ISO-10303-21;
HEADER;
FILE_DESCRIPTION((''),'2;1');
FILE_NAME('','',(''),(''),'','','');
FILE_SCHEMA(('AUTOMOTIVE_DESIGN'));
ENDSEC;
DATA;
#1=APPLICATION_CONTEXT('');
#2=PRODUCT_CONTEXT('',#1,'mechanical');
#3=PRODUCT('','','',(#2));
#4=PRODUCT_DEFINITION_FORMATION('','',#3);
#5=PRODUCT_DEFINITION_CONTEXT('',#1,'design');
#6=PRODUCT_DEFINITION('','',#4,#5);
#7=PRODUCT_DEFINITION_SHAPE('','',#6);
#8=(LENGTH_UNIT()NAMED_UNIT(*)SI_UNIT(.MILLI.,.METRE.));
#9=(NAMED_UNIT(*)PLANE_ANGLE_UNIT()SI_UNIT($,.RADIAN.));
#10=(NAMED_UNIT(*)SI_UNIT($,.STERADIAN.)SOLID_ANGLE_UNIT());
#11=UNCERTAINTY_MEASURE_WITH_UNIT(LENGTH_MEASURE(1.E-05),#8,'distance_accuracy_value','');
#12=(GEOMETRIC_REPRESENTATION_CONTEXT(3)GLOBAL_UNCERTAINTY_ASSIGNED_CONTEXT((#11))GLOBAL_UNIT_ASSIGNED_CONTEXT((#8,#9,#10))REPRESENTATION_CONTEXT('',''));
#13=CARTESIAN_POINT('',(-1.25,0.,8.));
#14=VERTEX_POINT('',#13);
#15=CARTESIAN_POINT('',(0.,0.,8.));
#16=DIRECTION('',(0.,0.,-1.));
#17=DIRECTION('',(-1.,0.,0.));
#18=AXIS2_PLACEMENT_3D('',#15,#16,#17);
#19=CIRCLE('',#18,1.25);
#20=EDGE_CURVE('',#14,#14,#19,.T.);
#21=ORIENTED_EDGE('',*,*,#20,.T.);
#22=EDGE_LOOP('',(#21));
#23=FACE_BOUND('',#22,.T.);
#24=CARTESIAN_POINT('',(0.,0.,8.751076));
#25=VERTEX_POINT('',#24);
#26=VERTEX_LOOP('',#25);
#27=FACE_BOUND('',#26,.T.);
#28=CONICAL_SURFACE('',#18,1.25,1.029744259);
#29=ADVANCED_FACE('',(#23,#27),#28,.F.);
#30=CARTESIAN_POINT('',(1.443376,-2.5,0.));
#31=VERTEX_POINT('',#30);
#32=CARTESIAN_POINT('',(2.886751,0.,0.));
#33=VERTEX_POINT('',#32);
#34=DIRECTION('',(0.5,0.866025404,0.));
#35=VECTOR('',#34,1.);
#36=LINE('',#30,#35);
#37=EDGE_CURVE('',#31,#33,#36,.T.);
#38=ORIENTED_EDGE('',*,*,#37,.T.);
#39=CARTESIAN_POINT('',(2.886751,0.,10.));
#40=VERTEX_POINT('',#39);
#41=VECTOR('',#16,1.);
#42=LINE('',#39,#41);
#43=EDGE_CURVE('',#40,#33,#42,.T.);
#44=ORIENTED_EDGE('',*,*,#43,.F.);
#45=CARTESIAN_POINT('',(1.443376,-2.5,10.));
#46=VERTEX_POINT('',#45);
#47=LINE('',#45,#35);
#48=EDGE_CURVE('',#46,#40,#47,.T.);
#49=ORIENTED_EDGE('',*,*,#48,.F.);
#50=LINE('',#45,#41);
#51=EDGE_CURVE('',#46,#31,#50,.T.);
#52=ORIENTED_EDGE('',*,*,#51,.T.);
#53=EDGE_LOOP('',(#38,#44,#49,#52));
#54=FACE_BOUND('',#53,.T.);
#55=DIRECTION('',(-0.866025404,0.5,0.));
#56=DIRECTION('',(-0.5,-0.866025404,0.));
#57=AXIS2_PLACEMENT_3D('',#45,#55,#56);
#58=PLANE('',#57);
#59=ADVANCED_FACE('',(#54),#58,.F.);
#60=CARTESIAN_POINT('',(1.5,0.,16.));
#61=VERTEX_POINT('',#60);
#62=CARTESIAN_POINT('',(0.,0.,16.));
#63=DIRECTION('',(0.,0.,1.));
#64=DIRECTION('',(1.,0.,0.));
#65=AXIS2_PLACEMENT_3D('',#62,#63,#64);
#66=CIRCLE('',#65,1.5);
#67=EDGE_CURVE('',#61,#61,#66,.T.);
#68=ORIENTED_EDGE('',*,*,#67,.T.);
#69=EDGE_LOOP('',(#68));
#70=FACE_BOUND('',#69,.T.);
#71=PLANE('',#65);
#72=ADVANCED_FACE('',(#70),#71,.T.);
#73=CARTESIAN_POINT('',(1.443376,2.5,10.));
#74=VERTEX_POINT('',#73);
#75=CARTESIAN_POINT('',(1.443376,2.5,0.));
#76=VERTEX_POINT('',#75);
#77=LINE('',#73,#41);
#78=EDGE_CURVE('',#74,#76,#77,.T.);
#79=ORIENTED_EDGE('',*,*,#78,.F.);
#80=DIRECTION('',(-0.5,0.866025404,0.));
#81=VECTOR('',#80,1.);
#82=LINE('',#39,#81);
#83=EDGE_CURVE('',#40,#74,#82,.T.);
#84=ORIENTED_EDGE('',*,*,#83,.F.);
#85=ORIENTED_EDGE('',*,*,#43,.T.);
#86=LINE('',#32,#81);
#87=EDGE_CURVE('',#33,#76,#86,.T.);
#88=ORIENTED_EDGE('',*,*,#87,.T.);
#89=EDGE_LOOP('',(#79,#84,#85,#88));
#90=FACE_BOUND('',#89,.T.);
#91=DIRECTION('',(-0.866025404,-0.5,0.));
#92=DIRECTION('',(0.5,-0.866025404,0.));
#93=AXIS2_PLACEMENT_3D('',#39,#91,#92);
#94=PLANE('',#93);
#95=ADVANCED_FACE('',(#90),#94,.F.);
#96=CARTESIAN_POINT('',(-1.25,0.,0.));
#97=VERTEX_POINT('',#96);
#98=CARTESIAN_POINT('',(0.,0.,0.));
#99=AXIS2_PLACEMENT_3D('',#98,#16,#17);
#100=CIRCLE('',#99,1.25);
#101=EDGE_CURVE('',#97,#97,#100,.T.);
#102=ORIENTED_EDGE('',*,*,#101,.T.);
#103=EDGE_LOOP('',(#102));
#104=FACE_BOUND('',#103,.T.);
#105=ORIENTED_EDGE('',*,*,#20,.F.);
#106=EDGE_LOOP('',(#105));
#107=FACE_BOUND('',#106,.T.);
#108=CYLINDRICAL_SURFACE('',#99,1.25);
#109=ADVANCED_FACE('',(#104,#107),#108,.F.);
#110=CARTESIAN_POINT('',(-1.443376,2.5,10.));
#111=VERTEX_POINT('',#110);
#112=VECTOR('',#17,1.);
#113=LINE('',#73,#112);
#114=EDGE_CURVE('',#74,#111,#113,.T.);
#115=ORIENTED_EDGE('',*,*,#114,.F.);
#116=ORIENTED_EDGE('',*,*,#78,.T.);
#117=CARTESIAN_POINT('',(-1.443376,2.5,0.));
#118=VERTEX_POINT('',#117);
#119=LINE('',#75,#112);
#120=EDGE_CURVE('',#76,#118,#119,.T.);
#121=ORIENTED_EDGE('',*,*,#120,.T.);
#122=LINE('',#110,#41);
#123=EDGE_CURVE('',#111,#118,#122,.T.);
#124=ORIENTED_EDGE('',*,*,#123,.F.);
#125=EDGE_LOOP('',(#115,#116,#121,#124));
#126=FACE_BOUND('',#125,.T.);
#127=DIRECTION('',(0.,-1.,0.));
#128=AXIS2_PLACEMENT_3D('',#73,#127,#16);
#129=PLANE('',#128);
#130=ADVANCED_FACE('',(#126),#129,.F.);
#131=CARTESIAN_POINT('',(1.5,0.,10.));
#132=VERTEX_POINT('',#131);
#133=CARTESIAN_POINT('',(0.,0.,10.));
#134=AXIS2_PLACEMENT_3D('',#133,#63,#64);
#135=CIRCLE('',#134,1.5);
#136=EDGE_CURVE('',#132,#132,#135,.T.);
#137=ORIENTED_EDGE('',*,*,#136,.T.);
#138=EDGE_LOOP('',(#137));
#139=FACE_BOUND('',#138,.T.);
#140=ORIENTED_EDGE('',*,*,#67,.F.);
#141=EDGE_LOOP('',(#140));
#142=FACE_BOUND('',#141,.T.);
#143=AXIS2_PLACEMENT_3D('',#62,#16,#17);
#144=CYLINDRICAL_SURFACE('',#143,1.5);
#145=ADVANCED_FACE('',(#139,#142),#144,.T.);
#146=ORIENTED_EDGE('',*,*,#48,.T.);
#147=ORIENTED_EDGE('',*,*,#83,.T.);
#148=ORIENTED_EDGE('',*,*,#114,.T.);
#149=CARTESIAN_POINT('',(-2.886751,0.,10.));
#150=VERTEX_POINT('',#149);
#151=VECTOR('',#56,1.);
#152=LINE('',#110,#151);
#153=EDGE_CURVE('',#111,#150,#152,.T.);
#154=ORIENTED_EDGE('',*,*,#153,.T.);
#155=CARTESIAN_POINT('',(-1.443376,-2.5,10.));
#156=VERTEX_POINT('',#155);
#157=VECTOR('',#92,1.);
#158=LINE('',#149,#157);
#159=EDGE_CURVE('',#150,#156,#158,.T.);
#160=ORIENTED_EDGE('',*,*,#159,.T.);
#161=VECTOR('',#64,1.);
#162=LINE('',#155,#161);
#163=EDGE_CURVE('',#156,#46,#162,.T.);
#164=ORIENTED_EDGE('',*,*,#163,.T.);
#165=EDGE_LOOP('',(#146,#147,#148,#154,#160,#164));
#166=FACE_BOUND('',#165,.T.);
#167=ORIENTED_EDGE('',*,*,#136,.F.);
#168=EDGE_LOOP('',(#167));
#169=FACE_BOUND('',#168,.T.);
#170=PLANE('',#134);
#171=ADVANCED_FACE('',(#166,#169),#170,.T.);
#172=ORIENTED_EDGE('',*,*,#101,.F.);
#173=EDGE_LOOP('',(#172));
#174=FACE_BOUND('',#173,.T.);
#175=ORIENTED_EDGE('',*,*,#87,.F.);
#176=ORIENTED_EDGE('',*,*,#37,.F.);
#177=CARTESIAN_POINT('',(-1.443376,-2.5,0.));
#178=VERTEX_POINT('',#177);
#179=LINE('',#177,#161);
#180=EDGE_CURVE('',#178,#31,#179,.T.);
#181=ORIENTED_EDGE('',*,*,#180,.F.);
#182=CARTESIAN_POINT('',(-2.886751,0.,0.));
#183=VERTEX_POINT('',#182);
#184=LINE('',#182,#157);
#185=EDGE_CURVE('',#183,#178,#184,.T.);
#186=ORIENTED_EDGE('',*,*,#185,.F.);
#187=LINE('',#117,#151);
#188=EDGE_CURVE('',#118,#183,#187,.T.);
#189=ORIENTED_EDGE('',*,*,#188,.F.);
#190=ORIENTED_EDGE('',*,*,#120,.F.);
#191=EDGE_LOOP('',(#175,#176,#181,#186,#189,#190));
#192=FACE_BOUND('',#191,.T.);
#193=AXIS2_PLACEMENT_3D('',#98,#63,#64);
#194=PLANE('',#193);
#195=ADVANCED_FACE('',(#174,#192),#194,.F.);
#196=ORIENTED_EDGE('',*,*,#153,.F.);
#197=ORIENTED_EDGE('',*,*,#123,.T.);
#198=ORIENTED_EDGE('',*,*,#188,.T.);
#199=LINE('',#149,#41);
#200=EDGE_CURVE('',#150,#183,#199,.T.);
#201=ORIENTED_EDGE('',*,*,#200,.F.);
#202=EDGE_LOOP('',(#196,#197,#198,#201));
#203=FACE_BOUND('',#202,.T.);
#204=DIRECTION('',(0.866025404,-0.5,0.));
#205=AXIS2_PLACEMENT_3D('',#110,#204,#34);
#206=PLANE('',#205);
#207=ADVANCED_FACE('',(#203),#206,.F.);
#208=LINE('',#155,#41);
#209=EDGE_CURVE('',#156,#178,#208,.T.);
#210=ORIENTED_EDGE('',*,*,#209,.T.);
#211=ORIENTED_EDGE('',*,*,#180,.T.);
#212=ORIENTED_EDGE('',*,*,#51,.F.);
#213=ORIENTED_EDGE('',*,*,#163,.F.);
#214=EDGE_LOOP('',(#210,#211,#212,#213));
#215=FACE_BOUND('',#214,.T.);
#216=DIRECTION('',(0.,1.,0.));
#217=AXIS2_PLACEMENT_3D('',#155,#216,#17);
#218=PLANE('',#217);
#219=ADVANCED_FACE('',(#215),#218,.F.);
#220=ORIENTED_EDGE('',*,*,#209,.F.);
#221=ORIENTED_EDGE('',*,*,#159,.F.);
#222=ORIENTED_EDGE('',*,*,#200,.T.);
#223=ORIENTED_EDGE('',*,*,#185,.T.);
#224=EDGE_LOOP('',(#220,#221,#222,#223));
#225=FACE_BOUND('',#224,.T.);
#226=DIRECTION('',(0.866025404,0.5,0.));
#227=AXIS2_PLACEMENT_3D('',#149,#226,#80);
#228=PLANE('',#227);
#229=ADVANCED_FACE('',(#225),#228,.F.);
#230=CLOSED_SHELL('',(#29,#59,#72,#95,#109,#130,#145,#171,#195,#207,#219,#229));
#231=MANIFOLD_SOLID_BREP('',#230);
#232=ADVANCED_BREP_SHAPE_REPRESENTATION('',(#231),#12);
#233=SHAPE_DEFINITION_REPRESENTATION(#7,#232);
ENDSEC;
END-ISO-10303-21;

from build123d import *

# Parameters (mm, degrees)
BOSS_EXTRUDE1_DEPTH       = 10
SKETCH2_R                 = 1.5
BOSS_EXTRUDE2_DEPTH       = 6
M3X0_5_TAPPED_HOLE1_D     = 2.5
M3X0_5_TAPPED_HOLE1_DEPTH = 8
M3X0_5_TAPPED_HOLE1_TIP   = 0.751075774


with BuildPart() as part:
    # Sketch1 → Boss-Extrude1 (new body)
    with BuildSketch(Plane.XY):
        Polygon((-1.443375673, 2.5), (-2.886751346, 0), (-1.443375673, -2.5), (1.443375673, -2.5), (2.886751346, 0), (1.443375673, 2.5), align=None)
    extrude(amount=BOSS_EXTRUDE1_DEPTH)

    # Sketch2 → Boss-Extrude2 (add)
    with BuildSketch(Plane.XY.offset(10)):
        Circle(SKETCH2_R)
    extrude(amount=BOSS_EXTRUDE2_DEPTH)

    # M3x0.5 Tapped Hole1
    with Locations(Plane(origin=(0, 0, 0), x_dir=(-1, 0, 0), z_dir=(0, 0, -1))):
        with Locations((0, 0)):
            Hole(M3X0_5_TAPPED_HOLE1_D / 2, depth=M3X0_5_TAPPED_HOLE1_DEPTH)
            with Locations((0, 0, -(M3X0_5_TAPPED_HOLE1_DEPTH + M3X0_5_TAPPED_HOLE1_TIP / 2))):  # 118° drill point
                Cone(0, M3X0_5_TAPPED_HOLE1_D / 2, M3X0_5_TAPPED_HOLE1_TIP, mode=Mode.SUBTRACT)


solid = part.part
